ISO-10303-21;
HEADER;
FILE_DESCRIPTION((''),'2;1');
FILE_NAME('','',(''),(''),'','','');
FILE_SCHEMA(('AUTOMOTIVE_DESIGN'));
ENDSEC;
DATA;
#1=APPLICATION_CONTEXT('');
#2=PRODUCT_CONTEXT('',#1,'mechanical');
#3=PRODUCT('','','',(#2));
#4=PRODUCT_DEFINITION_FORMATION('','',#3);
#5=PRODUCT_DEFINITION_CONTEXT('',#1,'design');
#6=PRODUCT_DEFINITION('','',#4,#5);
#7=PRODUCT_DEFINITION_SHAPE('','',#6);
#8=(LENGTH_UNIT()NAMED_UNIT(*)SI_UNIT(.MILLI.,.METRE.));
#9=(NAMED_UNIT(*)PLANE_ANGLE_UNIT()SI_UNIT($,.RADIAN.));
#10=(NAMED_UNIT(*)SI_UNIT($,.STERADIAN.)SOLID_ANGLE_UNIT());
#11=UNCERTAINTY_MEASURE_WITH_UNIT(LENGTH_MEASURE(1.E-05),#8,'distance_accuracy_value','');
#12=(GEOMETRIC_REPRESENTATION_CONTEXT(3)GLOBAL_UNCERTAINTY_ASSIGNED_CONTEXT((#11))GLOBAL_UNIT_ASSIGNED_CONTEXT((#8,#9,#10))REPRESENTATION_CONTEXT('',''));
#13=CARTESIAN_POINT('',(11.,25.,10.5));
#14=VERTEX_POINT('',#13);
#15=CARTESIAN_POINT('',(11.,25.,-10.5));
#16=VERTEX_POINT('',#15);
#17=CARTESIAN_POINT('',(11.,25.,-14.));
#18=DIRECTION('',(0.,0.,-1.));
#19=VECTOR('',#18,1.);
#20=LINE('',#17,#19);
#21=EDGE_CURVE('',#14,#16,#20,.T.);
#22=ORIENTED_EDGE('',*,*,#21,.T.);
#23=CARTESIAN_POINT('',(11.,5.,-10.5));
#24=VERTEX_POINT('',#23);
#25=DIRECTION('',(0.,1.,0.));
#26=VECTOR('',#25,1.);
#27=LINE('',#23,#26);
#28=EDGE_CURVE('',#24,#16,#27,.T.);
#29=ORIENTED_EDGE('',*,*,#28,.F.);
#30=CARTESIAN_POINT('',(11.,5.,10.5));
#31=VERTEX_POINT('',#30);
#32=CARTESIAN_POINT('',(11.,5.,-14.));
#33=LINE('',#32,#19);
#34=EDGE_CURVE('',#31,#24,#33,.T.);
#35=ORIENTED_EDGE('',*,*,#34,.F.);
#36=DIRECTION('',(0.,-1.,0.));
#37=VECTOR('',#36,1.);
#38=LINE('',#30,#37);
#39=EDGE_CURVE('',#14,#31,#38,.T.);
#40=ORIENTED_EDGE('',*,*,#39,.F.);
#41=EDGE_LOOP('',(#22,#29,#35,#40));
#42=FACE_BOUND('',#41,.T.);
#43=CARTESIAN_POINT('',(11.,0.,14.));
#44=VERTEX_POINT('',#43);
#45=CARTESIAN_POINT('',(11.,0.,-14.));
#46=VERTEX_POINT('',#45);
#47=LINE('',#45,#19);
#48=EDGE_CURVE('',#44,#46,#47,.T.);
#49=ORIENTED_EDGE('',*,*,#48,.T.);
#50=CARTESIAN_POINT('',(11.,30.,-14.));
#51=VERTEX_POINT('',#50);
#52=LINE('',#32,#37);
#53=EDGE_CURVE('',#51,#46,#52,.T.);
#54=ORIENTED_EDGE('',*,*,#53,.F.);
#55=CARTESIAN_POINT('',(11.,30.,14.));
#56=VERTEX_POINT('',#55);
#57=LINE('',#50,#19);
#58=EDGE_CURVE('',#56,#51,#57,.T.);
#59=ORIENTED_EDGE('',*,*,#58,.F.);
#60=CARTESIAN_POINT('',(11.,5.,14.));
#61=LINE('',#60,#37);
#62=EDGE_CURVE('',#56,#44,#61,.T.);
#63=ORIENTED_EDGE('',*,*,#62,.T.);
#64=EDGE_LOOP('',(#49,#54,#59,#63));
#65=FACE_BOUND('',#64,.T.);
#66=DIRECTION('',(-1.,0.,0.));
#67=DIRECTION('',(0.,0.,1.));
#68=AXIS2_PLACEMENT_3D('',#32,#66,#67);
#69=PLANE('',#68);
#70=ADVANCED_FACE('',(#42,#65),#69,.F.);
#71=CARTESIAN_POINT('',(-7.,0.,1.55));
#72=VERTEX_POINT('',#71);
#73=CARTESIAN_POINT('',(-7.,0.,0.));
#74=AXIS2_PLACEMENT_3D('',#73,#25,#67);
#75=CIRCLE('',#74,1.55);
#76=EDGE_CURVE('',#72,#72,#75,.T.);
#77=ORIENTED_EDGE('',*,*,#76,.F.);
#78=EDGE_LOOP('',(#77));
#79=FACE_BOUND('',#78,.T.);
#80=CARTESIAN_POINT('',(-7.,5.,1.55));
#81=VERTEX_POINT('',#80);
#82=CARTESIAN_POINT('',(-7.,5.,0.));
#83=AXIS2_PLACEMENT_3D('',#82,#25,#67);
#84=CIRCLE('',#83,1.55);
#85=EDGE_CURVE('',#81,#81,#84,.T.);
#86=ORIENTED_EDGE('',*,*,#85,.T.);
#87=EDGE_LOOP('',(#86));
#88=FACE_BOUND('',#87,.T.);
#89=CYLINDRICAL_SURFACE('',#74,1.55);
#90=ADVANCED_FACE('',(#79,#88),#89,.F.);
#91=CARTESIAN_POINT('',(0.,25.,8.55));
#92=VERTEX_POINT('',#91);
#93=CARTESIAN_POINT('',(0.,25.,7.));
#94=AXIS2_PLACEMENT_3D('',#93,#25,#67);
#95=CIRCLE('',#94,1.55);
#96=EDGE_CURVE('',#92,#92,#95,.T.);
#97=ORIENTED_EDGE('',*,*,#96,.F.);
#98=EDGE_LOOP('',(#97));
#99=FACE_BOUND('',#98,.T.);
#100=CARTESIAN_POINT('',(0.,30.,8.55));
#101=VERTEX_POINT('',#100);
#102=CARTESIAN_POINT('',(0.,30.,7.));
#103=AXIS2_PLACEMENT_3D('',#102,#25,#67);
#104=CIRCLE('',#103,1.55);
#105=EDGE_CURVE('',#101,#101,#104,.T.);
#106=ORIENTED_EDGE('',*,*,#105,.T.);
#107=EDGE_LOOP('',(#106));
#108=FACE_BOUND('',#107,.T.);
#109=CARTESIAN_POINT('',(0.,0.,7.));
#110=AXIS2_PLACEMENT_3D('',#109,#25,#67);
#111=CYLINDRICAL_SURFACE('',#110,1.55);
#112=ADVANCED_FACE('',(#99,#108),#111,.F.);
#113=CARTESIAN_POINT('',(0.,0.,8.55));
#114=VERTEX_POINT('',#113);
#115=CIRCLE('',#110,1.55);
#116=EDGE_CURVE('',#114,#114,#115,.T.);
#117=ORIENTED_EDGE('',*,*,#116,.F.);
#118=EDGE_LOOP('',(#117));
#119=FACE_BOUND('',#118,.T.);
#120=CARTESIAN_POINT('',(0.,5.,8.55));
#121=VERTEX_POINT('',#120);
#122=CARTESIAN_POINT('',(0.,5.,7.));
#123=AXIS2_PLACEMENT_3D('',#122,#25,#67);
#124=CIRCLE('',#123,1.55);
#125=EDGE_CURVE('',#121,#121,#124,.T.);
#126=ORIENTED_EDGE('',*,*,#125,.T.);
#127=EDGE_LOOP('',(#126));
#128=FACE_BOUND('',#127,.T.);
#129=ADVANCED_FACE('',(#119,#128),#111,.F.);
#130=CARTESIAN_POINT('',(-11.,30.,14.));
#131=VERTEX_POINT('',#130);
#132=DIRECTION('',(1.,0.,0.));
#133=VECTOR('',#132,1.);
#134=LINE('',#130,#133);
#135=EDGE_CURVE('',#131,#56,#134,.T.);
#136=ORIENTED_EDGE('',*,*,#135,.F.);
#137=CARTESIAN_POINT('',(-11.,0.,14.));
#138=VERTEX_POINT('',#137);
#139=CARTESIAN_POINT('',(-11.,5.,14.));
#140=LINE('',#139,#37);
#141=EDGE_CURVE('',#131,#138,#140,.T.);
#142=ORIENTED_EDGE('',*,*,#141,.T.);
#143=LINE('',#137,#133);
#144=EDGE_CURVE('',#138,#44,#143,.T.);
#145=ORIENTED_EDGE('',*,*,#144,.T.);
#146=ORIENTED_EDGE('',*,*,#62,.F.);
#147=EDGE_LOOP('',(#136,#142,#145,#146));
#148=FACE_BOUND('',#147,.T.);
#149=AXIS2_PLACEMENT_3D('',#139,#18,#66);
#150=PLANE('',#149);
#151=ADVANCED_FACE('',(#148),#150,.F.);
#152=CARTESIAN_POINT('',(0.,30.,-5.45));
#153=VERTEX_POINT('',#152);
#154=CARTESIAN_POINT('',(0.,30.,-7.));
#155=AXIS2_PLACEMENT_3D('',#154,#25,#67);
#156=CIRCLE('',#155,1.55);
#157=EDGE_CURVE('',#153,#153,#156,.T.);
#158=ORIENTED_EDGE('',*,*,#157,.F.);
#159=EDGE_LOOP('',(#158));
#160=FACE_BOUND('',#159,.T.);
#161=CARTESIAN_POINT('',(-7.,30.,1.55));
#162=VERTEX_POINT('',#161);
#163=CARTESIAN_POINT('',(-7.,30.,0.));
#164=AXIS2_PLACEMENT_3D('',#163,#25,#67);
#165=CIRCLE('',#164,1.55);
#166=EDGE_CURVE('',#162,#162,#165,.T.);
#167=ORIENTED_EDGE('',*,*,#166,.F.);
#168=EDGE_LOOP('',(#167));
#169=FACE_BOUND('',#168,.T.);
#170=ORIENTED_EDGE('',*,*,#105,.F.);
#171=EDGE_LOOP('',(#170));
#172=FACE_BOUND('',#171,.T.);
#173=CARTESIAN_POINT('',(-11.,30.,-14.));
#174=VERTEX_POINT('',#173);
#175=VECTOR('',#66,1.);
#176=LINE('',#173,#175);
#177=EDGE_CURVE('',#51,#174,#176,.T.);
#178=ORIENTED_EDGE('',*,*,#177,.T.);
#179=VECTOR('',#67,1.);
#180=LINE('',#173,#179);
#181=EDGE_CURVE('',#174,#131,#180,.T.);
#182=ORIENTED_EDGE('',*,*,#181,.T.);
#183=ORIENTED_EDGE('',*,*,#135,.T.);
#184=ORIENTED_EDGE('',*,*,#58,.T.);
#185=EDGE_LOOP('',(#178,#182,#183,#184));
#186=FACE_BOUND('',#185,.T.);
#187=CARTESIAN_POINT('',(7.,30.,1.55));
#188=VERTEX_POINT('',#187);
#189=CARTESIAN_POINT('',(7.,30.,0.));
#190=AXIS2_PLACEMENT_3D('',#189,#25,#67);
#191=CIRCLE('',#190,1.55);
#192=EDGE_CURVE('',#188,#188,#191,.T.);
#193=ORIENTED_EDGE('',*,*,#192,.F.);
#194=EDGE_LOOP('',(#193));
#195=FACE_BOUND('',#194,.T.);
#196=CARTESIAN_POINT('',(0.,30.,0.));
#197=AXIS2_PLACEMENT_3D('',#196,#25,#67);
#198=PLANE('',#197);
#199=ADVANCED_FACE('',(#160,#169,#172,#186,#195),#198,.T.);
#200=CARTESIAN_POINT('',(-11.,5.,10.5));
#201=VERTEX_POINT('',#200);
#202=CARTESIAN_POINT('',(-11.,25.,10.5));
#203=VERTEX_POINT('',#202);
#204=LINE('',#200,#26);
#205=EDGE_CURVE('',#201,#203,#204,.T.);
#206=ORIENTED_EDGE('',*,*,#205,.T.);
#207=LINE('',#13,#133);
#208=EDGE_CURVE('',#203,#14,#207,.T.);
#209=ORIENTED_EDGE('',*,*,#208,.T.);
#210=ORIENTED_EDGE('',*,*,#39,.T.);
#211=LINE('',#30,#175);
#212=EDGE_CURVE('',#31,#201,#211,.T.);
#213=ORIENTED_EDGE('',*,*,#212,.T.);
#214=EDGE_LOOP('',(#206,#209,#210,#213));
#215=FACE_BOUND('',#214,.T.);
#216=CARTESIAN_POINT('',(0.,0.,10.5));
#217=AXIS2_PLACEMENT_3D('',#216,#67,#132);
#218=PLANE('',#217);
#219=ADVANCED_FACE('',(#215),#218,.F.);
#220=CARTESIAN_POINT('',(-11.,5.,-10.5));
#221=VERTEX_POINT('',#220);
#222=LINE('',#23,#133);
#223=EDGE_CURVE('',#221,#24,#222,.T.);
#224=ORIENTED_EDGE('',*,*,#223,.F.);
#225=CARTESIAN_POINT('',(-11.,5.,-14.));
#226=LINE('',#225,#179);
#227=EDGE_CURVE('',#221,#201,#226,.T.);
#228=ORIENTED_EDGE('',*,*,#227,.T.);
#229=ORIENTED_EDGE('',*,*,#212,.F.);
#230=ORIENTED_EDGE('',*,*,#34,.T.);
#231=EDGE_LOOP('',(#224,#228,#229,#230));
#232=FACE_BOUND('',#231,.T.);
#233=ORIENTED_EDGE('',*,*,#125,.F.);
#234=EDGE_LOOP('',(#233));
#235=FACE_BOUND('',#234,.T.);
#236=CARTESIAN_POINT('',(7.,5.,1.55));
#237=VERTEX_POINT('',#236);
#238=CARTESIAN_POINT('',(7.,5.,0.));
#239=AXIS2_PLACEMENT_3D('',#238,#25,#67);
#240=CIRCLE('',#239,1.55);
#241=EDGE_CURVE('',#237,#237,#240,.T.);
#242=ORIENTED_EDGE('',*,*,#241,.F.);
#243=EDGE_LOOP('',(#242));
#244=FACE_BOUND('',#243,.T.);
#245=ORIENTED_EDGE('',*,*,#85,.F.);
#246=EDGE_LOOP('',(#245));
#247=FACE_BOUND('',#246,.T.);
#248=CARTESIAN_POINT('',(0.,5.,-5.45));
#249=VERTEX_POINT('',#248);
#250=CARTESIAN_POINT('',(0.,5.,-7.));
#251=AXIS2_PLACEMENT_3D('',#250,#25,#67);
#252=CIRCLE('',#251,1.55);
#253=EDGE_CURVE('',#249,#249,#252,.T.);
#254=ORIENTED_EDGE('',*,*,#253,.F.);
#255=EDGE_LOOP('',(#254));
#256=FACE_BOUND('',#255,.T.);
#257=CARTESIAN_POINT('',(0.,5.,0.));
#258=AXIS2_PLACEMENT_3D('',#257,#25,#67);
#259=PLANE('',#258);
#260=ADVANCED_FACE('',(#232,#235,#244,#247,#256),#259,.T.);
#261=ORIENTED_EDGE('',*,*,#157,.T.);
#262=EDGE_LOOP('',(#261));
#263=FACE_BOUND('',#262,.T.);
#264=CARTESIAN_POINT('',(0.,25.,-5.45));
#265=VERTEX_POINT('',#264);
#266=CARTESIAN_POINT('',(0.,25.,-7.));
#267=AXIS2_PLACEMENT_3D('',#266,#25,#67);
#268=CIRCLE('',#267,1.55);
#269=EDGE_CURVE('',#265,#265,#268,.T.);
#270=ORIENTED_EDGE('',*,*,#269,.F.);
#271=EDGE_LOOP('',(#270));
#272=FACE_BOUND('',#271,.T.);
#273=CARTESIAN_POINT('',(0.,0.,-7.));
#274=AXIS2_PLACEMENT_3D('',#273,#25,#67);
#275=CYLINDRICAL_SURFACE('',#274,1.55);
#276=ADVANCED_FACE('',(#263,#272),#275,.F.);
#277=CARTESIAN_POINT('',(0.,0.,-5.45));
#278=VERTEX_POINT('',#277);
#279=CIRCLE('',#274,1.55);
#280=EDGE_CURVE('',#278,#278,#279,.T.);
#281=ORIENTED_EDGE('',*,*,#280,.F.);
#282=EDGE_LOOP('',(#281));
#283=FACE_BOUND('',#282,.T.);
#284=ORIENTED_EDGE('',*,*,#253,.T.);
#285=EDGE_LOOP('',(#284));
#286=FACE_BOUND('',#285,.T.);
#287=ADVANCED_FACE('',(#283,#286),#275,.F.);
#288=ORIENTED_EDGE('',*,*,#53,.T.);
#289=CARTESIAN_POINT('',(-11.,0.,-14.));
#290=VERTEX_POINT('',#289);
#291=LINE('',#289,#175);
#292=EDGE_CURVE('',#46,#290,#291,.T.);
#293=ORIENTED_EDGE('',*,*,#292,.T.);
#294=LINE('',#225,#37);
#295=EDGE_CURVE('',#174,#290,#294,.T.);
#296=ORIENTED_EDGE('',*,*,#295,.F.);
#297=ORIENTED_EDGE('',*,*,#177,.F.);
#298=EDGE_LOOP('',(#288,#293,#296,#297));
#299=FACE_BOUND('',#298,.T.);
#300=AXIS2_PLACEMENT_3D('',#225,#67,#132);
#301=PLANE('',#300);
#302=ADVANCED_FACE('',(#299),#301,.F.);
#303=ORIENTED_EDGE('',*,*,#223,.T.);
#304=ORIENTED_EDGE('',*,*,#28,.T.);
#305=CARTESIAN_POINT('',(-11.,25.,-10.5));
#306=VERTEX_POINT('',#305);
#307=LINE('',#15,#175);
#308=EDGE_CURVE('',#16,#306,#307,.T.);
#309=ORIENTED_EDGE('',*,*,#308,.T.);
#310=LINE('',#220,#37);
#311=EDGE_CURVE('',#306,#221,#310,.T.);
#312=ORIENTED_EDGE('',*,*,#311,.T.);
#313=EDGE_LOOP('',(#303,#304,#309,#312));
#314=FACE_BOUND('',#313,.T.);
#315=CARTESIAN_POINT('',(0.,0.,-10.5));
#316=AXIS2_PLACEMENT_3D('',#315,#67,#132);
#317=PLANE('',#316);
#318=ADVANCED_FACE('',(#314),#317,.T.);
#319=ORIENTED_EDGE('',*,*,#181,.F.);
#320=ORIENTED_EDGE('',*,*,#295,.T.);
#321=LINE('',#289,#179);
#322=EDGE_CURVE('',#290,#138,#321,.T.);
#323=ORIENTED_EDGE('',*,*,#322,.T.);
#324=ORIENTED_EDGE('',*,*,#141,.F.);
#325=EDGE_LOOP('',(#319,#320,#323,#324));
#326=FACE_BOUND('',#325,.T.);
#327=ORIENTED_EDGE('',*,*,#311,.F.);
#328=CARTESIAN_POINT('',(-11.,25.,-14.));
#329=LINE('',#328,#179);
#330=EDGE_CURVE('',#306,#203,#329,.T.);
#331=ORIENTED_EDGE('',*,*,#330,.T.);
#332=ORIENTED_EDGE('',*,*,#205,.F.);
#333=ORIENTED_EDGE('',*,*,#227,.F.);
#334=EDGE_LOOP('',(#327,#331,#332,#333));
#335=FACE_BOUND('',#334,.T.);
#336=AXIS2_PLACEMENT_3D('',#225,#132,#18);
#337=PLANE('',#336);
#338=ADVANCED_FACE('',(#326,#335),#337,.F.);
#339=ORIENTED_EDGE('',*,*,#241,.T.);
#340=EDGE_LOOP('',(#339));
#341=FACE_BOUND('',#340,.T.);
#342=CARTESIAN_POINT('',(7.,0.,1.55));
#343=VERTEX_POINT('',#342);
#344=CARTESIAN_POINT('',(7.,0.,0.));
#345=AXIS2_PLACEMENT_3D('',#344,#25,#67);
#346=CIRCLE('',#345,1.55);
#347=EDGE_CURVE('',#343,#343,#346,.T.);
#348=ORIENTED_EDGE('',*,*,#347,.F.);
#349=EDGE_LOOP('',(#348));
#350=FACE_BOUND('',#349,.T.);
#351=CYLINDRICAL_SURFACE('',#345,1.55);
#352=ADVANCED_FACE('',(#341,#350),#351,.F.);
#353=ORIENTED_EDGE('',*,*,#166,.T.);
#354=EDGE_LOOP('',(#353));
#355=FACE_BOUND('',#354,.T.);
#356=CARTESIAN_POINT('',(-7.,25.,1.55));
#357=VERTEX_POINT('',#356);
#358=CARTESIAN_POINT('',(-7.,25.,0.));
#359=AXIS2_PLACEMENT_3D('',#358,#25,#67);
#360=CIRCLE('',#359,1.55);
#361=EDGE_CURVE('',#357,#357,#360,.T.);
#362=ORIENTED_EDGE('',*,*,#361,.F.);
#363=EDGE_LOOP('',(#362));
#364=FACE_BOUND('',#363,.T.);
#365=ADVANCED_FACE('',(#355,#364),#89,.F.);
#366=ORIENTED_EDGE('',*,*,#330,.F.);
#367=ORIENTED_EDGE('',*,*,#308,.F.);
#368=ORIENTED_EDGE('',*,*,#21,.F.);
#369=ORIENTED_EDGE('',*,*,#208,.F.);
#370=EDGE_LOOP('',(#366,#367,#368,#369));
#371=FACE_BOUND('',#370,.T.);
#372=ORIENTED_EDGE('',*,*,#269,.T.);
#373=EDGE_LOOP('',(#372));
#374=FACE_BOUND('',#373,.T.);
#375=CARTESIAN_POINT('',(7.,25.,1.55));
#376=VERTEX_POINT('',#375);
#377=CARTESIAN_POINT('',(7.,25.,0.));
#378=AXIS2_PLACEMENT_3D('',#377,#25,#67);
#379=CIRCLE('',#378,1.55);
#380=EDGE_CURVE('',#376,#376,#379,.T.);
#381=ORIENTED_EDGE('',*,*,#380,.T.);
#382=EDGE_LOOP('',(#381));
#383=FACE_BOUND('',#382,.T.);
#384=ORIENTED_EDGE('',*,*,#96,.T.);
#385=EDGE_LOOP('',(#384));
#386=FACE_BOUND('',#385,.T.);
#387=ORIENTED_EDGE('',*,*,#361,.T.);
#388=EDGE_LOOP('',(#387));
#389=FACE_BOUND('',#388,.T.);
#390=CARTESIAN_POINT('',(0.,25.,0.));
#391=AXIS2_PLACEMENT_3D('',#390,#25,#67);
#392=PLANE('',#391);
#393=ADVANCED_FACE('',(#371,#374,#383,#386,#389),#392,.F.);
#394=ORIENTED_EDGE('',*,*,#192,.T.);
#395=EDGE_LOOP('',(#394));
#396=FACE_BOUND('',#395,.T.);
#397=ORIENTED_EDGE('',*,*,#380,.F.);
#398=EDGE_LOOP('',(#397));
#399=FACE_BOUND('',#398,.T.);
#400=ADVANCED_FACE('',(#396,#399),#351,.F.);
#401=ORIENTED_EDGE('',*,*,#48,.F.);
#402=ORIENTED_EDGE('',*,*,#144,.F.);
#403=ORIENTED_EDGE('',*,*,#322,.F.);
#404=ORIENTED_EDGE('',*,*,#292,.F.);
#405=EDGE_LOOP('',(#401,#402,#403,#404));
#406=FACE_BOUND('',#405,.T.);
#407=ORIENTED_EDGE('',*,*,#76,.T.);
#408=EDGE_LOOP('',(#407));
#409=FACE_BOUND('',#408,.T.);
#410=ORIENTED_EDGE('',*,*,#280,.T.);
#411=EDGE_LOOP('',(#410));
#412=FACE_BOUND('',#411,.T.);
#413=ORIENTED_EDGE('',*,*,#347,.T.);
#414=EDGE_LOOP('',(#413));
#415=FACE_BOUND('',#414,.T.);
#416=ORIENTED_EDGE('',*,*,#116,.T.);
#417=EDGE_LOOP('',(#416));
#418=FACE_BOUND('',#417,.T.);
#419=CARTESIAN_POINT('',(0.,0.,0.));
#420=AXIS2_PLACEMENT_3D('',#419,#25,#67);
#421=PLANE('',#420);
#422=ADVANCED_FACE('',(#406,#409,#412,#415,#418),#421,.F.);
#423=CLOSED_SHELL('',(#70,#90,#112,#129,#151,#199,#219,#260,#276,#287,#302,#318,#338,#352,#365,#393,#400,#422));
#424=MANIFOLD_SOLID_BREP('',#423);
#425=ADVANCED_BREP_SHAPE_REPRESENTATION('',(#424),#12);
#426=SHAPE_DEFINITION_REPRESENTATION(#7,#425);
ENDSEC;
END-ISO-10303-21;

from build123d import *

# Parameters (mm, degrees)
SKETCH1_W           = 22
SKETCH1_H           = 28
BOSS_EXTRUDE1_DEPTH = 5
SKETCH2_W           = 22
SKETCH2_H           = 5
BOSS_EXTRUDE2_DEPTH = 20
SKETCH3_W           = 22
SKETCH3_H           = 28
BOSS_EXTRUDE3_DEPTH = 5
SKETCH4_R           = 1.55
CUT_EXTRUDE1_DEPTH  = 30
SKETCH5_W           = 22
SKETCH5_H           = 20
CUT_EXTRUDE2_DEPTH  = 1.5
SKETCH6_W           = 22
SKETCH6_H           = 20
CUT_EXTRUDE3_DEPTH  = 1.5


with BuildPart() as part:
    # Sketch1 → Boss-Extrude1 (new body)
    with BuildSketch(Plane(origin=(0, 0, 0), x_dir=(1, 0, 0), z_dir=(0, 1, 0))):
        Rectangle(SKETCH1_W, SKETCH1_H)
    extrude(amount=BOSS_EXTRUDE1_DEPTH)

    # Sketch2 → Boss-Extrude2 (add)
    with BuildSketch(Plane(origin=(0, 5, 0), x_dir=(1, 0, 0), z_dir=(0, 1, 0))):
        with Locations((0, -11.5)):
            Rectangle(SKETCH2_W, SKETCH2_H)
        with Locations((0, 11.5)):
            Rectangle(SKETCH2_W, SKETCH2_H)
    extrude(amount=BOSS_EXTRUDE2_DEPTH)

    # Sketch3 → Boss-Extrude3 (add)
    with BuildSketch(Plane(origin=(0, 25, 0), x_dir=(1, 0, 0), z_dir=(0, 1, 0))):
        Rectangle(SKETCH3_W, SKETCH3_H)
    extrude(amount=BOSS_EXTRUDE3_DEPTH)

    # Sketch4 → Cut-Extrude1 (cut)
    with BuildSketch(Plane(origin=(0, 30, 0), x_dir=(1, 0, 0), z_dir=(0, 1, 0))):
        with Locations(Location((0, 7, 0), (0, 0, 270))):
            Circle(SKETCH4_R)
        with Locations(Location((7, 0, 0), (0, 0, 270))):
            Circle(SKETCH4_R)
        with Locations(Location((0, -7, 0), (0, 0, 270))):
            Circle(SKETCH4_R)
        with Locations(Location((-7, 0, 0), (0, 0, 270))):
            Circle(SKETCH4_R)
    extrude(amount=-CUT_EXTRUDE1_DEPTH, mode=Mode.SUBTRACT)

    # Sketch5 → Cut-Extrude2 (cut)
    with BuildSketch(Plane.XY.offset(-9)):
        with Locations((0, 15)):
            Rectangle(SKETCH5_W, SKETCH5_H)
    extrude(amount=-CUT_EXTRUDE2_DEPTH, mode=Mode.SUBTRACT)

    # Sketch6 → Cut-Extrude3 (cut)
    with BuildSketch(Plane(origin=(0, 0, 9), x_dir=(-1, 0, 0), z_dir=(0, 0, -1))):
        with Locations((0, 15)):
            Rectangle(SKETCH6_W, SKETCH6_H)
    extrude(amount=-CUT_EXTRUDE3_DEPTH, mode=Mode.SUBTRACT)


solid = part.part
